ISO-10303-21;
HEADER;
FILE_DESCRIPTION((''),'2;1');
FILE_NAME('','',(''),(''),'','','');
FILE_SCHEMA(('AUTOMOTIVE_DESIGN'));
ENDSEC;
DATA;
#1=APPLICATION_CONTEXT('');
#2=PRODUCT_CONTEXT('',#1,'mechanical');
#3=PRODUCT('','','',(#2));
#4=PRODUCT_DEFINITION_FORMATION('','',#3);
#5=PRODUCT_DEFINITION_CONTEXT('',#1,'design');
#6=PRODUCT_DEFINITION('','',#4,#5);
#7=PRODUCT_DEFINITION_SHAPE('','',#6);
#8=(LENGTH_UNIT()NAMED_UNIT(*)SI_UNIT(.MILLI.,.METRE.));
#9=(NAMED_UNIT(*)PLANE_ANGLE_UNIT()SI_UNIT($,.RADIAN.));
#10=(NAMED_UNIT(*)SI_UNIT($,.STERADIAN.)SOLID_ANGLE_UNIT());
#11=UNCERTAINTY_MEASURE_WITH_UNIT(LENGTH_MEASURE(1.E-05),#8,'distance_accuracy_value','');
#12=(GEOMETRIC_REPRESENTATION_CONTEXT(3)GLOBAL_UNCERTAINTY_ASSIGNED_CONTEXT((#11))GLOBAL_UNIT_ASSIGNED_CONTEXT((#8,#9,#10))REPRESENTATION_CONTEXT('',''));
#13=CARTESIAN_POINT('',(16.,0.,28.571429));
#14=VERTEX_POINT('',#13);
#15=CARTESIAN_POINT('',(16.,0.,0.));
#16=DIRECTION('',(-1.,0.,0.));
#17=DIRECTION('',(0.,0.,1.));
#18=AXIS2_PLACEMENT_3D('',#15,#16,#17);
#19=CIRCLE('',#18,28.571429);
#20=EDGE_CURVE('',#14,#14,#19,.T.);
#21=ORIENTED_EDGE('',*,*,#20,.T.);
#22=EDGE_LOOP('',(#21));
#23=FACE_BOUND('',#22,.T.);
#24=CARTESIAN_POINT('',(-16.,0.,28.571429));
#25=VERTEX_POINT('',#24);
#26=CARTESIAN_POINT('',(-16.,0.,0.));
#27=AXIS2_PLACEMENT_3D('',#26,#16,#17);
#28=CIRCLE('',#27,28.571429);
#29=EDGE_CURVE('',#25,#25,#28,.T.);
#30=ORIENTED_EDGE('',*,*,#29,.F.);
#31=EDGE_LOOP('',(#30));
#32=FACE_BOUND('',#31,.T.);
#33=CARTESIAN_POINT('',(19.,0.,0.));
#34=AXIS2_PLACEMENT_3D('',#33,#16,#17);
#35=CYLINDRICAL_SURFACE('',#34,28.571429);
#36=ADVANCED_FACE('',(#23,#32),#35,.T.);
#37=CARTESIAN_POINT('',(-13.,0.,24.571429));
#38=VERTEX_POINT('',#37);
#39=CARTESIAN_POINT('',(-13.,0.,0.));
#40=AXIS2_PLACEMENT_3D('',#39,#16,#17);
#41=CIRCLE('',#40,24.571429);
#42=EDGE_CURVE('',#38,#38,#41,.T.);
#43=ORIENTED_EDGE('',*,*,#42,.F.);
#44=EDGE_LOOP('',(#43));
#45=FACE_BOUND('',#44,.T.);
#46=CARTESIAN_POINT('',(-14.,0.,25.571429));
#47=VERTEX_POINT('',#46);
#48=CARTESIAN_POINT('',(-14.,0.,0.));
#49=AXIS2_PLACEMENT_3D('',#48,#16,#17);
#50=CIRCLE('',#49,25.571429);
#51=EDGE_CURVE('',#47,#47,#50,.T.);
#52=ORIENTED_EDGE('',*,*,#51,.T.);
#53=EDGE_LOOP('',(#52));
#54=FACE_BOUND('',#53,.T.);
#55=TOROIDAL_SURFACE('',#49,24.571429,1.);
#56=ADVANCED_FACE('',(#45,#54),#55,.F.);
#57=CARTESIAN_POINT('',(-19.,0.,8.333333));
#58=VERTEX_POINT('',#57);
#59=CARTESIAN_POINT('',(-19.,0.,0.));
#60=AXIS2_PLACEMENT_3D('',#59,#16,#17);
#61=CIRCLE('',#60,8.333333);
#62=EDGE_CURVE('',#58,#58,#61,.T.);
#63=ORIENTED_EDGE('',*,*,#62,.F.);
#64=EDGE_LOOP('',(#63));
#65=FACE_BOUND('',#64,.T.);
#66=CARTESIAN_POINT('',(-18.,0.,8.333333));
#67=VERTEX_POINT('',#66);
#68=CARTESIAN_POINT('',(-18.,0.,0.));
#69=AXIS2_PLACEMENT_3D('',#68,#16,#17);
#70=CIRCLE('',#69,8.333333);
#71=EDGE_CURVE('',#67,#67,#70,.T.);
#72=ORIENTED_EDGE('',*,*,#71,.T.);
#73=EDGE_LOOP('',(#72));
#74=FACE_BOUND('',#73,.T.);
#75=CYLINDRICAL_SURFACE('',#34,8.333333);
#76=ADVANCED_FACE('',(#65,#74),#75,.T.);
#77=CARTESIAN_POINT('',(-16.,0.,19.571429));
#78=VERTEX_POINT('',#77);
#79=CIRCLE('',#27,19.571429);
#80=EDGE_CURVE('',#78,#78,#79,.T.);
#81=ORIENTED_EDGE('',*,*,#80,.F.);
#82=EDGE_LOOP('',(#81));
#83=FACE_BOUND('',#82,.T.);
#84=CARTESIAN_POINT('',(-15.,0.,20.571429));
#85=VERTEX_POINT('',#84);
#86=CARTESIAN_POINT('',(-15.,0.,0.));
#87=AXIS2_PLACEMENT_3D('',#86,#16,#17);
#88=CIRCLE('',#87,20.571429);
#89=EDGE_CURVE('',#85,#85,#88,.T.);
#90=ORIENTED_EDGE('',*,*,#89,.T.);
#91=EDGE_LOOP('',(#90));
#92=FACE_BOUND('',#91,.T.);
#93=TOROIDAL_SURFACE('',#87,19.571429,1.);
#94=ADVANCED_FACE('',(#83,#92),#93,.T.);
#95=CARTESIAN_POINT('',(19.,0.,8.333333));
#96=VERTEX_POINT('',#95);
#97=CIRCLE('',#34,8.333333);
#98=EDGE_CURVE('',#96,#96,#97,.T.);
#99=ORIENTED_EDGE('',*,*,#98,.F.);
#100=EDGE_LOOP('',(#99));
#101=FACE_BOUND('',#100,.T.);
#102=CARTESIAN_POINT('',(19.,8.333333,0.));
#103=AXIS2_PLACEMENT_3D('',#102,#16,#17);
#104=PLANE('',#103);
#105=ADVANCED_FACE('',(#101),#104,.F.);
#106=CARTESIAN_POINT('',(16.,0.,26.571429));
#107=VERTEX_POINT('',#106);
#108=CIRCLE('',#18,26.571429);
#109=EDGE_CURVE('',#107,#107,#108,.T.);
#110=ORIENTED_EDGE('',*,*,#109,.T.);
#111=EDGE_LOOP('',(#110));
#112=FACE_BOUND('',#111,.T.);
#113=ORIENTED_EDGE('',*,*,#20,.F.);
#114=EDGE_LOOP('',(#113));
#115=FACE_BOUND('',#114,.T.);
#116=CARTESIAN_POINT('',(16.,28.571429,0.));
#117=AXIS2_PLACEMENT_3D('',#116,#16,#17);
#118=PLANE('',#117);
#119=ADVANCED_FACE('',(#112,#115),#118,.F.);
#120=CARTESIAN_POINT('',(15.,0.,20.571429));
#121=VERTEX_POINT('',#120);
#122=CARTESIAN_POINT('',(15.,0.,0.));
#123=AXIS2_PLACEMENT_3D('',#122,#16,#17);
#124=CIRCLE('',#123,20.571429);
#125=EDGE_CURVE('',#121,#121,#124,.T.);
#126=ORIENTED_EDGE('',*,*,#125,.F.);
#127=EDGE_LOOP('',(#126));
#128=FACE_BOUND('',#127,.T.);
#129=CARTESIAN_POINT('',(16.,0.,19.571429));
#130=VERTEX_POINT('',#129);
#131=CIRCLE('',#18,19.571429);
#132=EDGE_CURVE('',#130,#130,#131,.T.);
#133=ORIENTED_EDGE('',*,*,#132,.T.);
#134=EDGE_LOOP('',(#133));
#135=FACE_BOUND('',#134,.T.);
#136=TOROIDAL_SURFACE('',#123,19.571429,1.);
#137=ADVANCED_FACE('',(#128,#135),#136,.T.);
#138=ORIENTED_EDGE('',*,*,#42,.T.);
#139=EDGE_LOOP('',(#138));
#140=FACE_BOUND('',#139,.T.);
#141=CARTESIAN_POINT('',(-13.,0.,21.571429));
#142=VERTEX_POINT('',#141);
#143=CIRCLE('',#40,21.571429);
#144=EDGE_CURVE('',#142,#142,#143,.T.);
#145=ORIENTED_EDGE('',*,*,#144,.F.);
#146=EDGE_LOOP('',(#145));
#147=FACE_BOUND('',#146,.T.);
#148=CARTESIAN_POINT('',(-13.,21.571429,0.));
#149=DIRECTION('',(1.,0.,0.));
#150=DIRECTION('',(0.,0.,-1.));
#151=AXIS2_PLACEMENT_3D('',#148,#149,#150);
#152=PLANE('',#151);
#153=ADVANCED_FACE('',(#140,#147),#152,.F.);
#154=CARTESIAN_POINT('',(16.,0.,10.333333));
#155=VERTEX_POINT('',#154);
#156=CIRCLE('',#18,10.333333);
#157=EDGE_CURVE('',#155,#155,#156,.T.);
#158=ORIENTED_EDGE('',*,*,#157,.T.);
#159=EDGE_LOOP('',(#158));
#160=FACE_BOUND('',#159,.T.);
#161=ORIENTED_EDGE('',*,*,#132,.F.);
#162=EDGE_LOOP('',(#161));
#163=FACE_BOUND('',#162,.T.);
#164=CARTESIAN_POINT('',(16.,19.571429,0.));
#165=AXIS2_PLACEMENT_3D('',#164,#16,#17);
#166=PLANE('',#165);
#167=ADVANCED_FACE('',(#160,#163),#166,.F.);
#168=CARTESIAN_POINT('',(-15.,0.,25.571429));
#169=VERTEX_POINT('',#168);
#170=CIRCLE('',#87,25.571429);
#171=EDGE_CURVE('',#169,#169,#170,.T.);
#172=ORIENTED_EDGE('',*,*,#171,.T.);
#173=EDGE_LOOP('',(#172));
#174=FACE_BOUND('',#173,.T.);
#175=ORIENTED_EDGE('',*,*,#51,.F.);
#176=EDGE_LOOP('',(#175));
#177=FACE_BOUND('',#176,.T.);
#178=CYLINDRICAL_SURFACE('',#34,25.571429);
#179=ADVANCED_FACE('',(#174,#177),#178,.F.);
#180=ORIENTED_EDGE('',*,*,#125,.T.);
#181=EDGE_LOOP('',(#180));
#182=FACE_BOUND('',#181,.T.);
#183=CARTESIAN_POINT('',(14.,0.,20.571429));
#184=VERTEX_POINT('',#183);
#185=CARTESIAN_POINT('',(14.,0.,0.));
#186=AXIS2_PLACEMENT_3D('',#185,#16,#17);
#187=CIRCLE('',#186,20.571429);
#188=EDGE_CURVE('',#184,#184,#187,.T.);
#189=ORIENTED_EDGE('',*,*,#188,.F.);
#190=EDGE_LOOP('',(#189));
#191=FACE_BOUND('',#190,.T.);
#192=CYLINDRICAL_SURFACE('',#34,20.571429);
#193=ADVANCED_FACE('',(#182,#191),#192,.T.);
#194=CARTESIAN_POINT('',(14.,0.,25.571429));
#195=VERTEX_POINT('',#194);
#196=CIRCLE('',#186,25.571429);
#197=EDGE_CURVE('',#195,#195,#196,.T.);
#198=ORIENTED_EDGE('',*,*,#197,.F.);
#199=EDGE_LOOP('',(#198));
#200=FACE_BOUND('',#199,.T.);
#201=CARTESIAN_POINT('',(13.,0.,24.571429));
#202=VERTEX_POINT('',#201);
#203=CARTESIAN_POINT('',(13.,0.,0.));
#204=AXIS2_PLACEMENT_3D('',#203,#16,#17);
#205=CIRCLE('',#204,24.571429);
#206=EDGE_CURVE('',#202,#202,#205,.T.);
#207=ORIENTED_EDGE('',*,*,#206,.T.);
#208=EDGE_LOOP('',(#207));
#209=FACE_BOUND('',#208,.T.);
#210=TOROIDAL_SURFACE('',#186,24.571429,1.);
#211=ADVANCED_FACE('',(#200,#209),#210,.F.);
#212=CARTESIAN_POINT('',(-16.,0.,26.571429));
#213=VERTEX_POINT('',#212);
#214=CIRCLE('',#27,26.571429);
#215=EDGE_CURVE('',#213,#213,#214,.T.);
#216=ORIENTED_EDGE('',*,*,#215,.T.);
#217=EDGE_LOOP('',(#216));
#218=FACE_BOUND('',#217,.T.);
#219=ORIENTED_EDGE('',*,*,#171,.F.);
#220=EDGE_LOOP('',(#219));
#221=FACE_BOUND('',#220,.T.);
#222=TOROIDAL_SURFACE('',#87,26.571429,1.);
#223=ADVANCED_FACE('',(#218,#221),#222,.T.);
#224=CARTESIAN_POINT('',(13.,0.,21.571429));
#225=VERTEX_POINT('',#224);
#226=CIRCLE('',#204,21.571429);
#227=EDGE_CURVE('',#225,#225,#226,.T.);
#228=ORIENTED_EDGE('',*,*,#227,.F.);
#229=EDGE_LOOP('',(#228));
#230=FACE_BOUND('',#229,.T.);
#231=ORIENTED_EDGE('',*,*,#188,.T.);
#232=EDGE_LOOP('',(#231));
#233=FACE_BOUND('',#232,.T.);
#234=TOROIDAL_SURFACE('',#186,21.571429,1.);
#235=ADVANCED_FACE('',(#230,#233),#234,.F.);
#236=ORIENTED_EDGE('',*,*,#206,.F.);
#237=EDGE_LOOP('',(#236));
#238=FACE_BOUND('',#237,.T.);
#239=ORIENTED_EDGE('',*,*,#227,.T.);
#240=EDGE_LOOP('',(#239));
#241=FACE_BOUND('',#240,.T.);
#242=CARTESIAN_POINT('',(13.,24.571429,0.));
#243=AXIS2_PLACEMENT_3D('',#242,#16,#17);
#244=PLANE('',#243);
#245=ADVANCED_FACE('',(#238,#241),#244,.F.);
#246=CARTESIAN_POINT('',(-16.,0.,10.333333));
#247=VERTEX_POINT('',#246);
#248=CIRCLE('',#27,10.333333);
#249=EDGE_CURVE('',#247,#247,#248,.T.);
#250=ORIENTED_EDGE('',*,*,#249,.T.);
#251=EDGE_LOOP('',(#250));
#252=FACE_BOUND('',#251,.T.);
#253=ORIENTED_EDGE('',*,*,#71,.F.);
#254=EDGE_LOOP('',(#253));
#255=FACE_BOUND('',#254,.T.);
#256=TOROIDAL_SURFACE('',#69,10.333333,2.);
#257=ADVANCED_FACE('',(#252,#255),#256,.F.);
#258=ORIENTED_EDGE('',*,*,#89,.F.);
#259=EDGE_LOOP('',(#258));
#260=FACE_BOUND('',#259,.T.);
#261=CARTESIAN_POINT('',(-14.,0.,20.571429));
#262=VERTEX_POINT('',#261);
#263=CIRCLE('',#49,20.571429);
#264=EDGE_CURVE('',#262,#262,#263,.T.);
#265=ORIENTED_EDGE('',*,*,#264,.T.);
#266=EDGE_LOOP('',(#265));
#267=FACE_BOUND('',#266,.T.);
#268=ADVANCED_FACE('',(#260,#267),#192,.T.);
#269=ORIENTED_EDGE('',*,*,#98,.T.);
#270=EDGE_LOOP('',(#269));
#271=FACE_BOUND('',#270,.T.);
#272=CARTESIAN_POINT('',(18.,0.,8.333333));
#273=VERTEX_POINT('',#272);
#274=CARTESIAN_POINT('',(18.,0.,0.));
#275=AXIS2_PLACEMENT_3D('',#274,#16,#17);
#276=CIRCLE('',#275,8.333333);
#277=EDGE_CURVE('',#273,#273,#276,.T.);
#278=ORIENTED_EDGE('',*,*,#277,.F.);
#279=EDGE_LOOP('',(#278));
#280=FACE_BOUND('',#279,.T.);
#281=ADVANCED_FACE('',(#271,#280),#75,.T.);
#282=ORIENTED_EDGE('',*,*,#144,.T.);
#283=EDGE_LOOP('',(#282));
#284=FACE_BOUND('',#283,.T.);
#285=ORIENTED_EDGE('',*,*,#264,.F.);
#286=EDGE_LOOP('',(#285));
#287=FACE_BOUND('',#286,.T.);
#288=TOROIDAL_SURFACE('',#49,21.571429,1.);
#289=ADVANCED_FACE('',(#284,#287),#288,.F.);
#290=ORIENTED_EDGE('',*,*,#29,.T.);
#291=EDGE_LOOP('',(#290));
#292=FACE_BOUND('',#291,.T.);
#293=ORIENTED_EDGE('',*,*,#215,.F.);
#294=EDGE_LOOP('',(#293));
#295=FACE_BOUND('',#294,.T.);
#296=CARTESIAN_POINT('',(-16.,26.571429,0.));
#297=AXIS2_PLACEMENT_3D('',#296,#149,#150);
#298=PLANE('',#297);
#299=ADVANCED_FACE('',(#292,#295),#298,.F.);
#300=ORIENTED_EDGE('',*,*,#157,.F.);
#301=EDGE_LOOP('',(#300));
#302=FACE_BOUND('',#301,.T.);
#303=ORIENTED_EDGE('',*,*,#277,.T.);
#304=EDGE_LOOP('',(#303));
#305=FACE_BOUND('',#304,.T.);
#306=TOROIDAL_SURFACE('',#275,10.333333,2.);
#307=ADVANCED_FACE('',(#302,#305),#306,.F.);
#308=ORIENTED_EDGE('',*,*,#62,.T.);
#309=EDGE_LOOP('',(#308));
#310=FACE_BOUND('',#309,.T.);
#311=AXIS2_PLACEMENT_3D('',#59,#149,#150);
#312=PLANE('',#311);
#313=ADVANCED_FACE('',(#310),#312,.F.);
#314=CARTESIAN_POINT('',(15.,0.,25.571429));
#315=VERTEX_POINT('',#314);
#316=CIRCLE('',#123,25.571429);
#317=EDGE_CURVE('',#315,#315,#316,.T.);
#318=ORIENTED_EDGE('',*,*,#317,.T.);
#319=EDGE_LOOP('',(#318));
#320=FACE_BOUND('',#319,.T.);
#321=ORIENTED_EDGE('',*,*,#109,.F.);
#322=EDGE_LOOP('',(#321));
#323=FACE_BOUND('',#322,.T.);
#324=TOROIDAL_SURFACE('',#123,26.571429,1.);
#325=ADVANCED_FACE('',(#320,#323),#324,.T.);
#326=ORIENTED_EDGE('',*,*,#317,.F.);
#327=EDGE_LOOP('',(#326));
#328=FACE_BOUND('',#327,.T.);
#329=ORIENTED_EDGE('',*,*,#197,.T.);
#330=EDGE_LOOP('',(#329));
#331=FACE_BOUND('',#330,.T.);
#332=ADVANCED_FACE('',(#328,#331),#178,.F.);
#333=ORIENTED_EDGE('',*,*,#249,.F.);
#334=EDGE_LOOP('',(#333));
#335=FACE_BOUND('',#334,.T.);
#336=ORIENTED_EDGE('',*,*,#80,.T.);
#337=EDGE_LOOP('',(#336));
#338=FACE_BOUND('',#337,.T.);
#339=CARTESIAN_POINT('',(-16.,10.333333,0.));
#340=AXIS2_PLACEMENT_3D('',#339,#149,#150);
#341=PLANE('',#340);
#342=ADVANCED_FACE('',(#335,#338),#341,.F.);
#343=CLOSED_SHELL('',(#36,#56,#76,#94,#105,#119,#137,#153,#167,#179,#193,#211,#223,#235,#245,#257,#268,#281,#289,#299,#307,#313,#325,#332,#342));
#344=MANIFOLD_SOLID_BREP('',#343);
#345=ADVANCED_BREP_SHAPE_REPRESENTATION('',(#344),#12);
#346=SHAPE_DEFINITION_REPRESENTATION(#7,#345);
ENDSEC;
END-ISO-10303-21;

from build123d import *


with BuildPart() as part:
    # 草图1 → 旋转1 (revolve)
    with BuildSketch(Plane.XY, mode=Mode.PRIVATE) as revolve_1_sk:
        with BuildLine():
            Line((-19, 0), (-19, 8.333333333))
            Line((-19, 8.333333333), (-18, 8.333333333))
            ThreePointArc((-18, 8.333333333), (-16.585786438, 8.919119771), (-16, 10.333333333))
            Line((-16, 10.333333333), (-16, 19.571428571))
            ThreePointArc((-16, 19.571428571), (-15.707106781, 20.278535353), (-15, 20.571428571))
            Line((-15, 20.571428571), (-14, 20.571428571))
            ThreePointArc((-14, 20.571428571), (-13.292893219, 20.86432179), (-13, 21.571428571))
            Line((-13, 21.571428571), (-13, 24.571428571))
            ThreePointArc((-13, 24.571428571), (-13.292893219, 25.278535353), (-14, 25.571428571))
            Line((-14, 25.571428571), (-15, 25.571428571))
            ThreePointArc((-15, 25.571428571), (-15.707106781, 25.86432179), (-16, 26.571428571))
            Line((-16, 26.571428571), (-16, 28.571428571))
            Line((-16, 28.571428571), (16, 28.571428571))
            Line((16, 28.571428571), (16, 26.571428571))
            ThreePointArc((16, 26.571428571), (15.707106781, 25.86432179), (15, 25.571428571))
            Line((15, 25.571428571), (14, 25.571428571))
            ThreePointArc((14, 25.571428571), (13.292893219, 25.278535353), (13, 24.571428571))
            Line((13, 24.571428571), (13, 21.571428571))
            ThreePointArc((13, 21.571428571), (13.292893219, 20.86432179), (14, 20.571428571))
            Line((14, 20.571428571), (15, 20.571428571))
            ThreePointArc((15, 20.571428571), (15.707106781, 20.278535353), (16, 19.571428571))
            Line((16, 19.571428571), (16, 10.333333333))
            ThreePointArc((16, 10.333333333), (16.585786438, 8.919119771), (18, 8.333333333))
            Line((18, 8.333333333), (19, 8.333333333))
            Line((19, 8.333333333), (19, 0))
            Line((19, 0), (-19, 0))
        make_face()
    revolve(revolve_1_sk.sketch.rotate(Axis((19, 0, 0), (-1, 0, 0)), 270), axis=Axis((19, 0, 0), (-1, 0, 0)))


solid = part.part
